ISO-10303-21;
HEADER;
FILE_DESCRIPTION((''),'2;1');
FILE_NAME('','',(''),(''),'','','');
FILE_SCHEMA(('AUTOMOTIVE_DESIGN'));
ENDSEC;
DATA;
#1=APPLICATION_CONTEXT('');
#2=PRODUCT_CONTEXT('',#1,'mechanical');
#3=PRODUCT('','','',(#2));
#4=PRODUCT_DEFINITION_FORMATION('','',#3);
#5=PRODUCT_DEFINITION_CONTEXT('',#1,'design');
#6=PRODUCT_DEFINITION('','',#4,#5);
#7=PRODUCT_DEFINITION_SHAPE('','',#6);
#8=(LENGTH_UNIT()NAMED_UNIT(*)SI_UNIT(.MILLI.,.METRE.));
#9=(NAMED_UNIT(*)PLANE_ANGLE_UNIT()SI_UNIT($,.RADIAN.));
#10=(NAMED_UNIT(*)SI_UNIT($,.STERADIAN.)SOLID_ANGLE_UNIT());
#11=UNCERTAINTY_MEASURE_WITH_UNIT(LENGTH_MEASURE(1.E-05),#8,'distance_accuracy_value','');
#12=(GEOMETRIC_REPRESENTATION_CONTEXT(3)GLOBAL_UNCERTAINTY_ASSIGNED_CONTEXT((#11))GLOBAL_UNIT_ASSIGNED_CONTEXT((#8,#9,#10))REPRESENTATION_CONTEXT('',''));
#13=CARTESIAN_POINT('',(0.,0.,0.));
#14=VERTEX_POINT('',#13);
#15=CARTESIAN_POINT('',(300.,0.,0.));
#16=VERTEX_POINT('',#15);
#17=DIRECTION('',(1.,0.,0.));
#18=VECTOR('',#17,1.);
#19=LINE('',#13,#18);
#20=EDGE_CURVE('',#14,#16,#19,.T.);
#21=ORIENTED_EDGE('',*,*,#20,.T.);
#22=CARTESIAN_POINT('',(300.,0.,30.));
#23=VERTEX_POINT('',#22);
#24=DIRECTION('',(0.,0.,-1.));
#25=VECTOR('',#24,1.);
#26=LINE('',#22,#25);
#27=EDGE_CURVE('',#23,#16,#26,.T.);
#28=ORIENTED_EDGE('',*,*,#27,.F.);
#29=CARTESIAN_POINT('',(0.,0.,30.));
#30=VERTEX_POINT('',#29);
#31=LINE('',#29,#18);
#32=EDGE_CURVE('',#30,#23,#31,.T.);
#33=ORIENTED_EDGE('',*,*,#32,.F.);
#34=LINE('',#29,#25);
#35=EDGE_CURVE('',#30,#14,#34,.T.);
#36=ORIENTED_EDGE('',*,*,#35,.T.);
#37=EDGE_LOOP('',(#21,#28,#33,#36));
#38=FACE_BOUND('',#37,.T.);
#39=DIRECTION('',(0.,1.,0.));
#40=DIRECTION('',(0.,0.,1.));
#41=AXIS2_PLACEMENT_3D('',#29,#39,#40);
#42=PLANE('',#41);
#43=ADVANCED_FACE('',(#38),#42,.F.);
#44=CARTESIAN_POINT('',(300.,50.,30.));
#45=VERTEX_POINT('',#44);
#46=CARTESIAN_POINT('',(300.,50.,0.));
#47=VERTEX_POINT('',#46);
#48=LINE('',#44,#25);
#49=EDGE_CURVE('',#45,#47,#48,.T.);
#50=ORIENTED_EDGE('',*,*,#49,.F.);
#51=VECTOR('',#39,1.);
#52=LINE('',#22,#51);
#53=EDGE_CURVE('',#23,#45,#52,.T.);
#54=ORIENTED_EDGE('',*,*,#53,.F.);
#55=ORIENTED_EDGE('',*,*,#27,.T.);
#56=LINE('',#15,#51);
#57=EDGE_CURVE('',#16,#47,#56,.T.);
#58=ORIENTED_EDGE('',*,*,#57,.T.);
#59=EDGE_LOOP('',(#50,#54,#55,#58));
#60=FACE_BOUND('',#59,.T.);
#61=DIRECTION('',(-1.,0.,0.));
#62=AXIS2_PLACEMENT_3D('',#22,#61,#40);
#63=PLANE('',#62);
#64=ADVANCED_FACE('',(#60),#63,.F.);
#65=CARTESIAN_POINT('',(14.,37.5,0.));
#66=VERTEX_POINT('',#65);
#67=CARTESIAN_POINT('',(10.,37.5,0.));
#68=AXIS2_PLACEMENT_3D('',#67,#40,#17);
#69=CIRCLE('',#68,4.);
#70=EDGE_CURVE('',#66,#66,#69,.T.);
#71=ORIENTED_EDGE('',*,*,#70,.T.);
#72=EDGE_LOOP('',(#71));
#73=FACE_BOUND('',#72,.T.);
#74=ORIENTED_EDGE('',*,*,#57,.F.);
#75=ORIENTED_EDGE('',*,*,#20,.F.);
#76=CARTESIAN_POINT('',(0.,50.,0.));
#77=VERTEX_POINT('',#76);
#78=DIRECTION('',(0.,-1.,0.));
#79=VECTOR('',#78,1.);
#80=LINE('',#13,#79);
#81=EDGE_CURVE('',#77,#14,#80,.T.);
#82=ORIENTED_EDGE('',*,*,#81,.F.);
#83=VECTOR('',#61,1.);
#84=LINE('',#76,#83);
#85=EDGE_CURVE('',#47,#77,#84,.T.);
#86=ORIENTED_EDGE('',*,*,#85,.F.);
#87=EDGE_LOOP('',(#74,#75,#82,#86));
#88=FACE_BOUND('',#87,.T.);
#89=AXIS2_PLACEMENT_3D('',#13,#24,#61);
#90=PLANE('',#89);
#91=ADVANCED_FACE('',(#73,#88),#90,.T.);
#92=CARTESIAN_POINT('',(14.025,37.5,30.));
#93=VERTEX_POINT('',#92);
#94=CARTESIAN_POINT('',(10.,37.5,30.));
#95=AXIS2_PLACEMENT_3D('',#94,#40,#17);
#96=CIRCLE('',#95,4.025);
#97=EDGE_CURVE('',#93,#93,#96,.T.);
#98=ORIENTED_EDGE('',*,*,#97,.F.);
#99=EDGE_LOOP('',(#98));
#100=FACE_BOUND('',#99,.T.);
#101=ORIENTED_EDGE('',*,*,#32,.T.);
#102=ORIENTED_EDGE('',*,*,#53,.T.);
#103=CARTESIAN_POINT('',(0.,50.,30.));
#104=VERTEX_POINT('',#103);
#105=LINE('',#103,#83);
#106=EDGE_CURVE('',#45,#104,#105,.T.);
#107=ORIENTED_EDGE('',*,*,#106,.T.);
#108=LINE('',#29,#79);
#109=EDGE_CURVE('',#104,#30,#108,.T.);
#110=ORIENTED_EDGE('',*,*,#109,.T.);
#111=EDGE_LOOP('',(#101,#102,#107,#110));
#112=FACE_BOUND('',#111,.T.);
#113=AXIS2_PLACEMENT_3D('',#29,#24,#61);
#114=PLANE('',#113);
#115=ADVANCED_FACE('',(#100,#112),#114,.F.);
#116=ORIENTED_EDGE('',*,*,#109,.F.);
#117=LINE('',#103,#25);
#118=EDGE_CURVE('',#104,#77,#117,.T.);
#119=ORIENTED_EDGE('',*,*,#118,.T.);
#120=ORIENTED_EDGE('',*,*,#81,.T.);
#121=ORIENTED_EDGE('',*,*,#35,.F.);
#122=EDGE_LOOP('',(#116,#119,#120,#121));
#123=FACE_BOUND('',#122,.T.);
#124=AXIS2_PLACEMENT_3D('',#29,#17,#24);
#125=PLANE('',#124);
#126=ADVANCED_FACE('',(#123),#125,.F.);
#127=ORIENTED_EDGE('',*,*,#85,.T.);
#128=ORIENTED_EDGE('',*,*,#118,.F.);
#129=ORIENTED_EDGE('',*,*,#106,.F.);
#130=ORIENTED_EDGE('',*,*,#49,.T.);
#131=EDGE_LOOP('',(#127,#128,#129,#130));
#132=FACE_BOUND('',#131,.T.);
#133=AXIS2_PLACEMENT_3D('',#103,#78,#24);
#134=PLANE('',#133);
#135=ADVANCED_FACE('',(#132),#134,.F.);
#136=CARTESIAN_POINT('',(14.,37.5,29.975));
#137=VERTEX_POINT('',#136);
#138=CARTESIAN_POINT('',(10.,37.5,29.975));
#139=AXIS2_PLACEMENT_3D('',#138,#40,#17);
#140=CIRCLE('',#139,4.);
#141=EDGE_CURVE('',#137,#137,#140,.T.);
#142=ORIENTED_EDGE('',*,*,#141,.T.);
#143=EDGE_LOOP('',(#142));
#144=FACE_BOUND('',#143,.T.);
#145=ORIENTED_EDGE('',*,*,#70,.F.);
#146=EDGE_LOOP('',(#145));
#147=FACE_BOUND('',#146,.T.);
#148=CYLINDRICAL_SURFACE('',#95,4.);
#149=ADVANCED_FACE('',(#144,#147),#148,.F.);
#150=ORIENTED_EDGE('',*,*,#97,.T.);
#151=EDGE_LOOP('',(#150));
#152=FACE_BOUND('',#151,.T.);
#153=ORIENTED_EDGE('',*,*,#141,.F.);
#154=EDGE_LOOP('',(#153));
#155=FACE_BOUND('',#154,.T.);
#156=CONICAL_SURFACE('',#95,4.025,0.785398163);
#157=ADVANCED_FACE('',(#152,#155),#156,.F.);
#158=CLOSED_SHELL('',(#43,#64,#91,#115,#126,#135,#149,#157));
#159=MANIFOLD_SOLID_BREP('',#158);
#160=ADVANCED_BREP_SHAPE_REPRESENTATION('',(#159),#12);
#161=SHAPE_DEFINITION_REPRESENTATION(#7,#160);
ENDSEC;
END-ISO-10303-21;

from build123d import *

# Parameters (mm, degrees)
SKETCH1_W                       = 300
SKETCH1_H                       = 50
BOSS_EXTRUDE1_DEPTH             = 30
F_8_0MM_DOWEL_HOLE1_D           = 8
F_8_0MM_DOWEL_HOLE1_CSINK_D     = 8.05
F_8_0MM_DOWEL_HOLE1_CSINK_ANGLE = 90


with BuildPart() as part:
    # Sketch1 → Boss-Extrude1 (new body)
    with BuildSketch(Plane.XY):
        with Locations((150, 25)):
            Rectangle(SKETCH1_W, SKETCH1_H)
    extrude(amount=BOSS_EXTRUDE1_DEPTH)

    # Ø8.0mm Dowel Hole1 (through all)
    with Locations(Plane.XY.offset(30)):
        with Locations((10, 37.5)):
            CounterSinkHole(F_8_0MM_DOWEL_HOLE1_D / 2, F_8_0MM_DOWEL_HOLE1_CSINK_D / 2, counter_sink_angle=F_8_0MM_DOWEL_HOLE1_CSINK_ANGLE)


solid = part.part
